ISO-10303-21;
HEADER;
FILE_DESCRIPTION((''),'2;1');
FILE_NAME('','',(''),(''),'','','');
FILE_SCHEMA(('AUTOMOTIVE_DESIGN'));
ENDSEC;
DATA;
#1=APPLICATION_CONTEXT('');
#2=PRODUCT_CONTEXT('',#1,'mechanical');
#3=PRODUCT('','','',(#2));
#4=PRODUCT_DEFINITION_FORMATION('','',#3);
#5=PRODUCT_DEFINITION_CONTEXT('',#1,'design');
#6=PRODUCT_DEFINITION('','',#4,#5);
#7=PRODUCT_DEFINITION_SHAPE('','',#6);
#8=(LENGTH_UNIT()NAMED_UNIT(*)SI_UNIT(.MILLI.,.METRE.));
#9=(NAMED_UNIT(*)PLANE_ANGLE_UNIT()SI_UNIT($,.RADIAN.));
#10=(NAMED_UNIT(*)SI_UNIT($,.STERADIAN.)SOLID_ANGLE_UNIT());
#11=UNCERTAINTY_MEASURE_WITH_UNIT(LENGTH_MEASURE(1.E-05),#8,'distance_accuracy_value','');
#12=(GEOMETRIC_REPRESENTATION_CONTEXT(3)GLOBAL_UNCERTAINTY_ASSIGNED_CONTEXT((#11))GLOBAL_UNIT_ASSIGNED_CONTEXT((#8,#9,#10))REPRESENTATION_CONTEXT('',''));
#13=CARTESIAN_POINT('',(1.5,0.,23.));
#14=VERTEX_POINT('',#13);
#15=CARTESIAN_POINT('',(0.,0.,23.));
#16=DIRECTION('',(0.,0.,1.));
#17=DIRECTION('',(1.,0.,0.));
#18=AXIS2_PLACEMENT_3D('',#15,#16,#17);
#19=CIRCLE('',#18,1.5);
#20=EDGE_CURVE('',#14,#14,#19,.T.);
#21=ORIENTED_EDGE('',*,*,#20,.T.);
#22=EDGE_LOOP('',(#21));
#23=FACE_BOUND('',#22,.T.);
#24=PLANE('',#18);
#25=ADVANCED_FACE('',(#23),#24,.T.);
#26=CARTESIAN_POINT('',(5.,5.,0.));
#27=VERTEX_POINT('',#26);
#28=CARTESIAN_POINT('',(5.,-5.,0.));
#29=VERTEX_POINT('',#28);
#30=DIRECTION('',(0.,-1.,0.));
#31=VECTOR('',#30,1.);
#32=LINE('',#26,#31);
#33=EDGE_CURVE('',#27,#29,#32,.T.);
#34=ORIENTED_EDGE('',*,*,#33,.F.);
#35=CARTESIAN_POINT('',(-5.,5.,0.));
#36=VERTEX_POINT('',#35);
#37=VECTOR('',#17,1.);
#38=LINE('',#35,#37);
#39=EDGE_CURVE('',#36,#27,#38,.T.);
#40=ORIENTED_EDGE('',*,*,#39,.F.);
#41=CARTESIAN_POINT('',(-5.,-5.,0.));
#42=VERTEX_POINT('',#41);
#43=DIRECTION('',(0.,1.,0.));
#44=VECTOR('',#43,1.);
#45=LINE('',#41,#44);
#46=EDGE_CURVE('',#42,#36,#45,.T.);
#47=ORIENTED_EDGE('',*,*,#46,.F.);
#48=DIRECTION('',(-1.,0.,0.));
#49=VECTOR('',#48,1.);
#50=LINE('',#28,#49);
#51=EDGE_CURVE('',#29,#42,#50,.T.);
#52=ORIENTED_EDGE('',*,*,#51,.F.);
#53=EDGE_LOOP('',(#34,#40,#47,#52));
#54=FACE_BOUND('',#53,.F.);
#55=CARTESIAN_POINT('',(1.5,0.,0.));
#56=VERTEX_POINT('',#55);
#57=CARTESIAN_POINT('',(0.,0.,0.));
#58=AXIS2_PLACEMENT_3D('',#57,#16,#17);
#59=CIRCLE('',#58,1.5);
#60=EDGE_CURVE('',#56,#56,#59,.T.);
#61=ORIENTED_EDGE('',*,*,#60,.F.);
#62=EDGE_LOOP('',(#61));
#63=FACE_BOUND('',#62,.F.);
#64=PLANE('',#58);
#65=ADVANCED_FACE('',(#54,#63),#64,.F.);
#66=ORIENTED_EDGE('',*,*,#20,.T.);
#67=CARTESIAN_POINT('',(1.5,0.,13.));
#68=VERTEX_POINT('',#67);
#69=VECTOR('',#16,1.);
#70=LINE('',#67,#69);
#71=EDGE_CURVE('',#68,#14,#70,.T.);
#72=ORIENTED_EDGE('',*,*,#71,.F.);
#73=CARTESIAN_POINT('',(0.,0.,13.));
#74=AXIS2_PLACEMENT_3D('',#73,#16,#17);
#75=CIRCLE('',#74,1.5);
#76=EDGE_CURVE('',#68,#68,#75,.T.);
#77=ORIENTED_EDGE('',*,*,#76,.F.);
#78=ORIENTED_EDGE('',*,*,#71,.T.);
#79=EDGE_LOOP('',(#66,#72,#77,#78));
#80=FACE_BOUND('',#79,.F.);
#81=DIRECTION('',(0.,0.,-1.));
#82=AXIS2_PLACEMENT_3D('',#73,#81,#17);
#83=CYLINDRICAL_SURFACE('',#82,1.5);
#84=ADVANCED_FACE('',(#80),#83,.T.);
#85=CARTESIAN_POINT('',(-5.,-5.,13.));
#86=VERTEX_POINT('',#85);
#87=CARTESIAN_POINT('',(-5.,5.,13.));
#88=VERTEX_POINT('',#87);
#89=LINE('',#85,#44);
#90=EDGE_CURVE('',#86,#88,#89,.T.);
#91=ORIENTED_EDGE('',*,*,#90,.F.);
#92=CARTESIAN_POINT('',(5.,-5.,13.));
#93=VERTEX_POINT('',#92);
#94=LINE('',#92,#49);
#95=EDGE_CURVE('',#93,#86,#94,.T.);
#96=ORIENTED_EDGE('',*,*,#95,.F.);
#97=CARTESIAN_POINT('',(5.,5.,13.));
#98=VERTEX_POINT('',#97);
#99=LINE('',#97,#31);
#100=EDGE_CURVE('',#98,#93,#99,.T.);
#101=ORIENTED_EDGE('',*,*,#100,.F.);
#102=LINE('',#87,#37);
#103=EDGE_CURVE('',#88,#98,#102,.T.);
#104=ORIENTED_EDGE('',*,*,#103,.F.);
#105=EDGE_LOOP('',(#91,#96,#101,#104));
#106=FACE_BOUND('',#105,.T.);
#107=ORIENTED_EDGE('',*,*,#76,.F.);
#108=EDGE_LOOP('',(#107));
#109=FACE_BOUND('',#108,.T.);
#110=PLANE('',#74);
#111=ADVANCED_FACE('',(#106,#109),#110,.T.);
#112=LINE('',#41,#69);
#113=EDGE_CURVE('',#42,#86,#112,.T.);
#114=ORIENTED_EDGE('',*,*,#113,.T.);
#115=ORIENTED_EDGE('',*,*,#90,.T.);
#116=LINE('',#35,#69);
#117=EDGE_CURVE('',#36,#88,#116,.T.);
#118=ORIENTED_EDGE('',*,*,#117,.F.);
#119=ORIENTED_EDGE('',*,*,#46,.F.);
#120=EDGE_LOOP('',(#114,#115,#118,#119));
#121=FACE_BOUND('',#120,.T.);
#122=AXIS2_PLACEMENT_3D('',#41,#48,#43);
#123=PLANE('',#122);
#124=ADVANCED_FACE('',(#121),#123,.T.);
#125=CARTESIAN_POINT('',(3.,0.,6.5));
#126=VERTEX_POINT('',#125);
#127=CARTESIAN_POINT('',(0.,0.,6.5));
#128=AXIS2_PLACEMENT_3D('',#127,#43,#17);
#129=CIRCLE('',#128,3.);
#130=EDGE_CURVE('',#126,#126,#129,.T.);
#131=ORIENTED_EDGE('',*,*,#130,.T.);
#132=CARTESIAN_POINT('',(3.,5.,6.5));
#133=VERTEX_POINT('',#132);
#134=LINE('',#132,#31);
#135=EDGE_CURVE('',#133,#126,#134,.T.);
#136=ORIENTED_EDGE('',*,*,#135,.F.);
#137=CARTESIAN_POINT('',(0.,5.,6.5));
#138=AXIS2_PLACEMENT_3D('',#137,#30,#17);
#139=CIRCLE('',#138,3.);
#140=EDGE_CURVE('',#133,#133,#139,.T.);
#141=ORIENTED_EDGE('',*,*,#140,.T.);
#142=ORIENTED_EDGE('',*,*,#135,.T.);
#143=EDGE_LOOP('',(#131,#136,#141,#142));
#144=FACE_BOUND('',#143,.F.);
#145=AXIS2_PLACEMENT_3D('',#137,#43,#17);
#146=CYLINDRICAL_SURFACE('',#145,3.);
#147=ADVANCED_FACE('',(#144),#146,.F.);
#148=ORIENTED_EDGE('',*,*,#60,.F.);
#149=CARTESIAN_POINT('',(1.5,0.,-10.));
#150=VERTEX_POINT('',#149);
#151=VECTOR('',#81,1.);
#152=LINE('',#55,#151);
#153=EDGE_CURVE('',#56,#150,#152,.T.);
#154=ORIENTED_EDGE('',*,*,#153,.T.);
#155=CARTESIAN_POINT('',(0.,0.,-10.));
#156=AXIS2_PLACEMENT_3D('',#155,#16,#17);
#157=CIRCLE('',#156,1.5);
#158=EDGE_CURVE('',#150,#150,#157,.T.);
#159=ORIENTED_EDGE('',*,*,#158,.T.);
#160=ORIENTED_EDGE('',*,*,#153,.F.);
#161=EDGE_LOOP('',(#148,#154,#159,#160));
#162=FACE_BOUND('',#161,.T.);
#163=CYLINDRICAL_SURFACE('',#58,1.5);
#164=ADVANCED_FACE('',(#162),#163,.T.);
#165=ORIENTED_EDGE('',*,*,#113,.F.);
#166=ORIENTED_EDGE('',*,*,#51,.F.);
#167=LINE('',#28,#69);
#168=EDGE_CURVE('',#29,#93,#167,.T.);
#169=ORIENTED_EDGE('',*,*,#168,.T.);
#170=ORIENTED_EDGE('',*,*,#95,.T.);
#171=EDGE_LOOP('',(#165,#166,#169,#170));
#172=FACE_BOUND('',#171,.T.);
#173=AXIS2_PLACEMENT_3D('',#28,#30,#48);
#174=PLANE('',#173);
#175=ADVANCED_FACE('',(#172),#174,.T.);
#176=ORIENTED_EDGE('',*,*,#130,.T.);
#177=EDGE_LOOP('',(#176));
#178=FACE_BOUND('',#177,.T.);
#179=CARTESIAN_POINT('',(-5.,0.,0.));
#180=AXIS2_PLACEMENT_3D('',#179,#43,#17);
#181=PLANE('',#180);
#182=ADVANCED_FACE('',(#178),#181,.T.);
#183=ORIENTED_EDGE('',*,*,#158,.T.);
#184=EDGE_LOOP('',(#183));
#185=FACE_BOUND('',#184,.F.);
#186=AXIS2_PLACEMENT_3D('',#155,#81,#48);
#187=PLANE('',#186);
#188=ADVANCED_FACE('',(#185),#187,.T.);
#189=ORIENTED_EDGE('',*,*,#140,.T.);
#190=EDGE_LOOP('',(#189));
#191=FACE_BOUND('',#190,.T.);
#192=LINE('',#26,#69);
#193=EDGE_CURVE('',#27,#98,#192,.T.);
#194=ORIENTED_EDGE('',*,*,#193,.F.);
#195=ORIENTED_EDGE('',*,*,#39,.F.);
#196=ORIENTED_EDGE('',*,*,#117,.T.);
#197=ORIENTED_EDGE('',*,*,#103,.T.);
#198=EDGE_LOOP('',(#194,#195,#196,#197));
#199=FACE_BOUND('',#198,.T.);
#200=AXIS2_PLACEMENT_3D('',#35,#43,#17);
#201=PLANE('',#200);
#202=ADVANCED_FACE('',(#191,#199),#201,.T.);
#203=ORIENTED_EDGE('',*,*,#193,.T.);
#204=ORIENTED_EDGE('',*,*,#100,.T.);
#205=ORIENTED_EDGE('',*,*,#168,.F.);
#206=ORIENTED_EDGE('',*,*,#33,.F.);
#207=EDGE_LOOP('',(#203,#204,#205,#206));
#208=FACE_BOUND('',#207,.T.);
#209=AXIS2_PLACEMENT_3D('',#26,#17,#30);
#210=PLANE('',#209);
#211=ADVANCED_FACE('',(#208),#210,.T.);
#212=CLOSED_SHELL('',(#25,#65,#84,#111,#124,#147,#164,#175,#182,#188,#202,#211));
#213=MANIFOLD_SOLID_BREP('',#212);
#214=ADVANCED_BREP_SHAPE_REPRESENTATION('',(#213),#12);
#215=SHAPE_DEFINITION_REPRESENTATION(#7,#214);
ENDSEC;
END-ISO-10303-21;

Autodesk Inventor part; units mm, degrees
ref_plane "YZ Plane" through (0, 0, 0) normal (1, 0, 0) x (0, 1, 0)
ref_plane "XZ Plane" through (0, 0, 0) normal (0, 1, 0) x (-1, 0, 0)
ref_plane "XY Plane" through (0, 0, 0) normal (0, 0, 1) x (1, 0, 0)
sketch "Sketch1" plane through (0, 0, 0) normal (0, 0, 1) x (1, 0, 0)
  line L0 (-5, 5) -> (5, 5)
  line L1 (5, 5) -> (5, -5)
  line L2 (5, -5) -> (-5, -5)
  line L3 (-5, -5) -> (-5, 5)
  line L4 (-5, 5) -> (5, -5) construction
  line L5 (5, 5) -> (-5, -5) construction
  point P0 (0, 0)
  dimension "d0" = 10
  dimension "d1" = 10
extrude "Extrusion1" add sketch "Sketch1" along normal blind 13
sketch "Sketch2" plane through (0, 0, 13) normal (0, 0, 1) x (1, 0, 0)
  circle A0 centre (0, 0) radius 1.5
  dimension "d4" = 3
extrude "Extrusion2" add sketch "Sketch2" along normal blind 10
ref_plane "Work Plane1" through (0, 0, 6.5) normal (0, 0, 1) x (1, 0, 0)
mirror "Mirror1" about plane through (0, 0, 6.5) normal (0, 0, 1) of "Extrusion2"
sketch "Sketch3" plane through (-5, 5, 0) normal (0, 1, 0) x (1, 0, 0)
  line L0 (0, 0) -> (0, -13) projected
  line L1 (0, -6.5) -> (10, -6.5)
  line L2 (10, 0) -> (10, -13) projected
  circle A0 centre (5, -6.5) radius 3
  point P0 (5, 0)
  dimension "d7" = 6
extrude "Extrusion3" cut sketch "Sketch3" against normal blind 5
properties part number "Claw Connector 1"
